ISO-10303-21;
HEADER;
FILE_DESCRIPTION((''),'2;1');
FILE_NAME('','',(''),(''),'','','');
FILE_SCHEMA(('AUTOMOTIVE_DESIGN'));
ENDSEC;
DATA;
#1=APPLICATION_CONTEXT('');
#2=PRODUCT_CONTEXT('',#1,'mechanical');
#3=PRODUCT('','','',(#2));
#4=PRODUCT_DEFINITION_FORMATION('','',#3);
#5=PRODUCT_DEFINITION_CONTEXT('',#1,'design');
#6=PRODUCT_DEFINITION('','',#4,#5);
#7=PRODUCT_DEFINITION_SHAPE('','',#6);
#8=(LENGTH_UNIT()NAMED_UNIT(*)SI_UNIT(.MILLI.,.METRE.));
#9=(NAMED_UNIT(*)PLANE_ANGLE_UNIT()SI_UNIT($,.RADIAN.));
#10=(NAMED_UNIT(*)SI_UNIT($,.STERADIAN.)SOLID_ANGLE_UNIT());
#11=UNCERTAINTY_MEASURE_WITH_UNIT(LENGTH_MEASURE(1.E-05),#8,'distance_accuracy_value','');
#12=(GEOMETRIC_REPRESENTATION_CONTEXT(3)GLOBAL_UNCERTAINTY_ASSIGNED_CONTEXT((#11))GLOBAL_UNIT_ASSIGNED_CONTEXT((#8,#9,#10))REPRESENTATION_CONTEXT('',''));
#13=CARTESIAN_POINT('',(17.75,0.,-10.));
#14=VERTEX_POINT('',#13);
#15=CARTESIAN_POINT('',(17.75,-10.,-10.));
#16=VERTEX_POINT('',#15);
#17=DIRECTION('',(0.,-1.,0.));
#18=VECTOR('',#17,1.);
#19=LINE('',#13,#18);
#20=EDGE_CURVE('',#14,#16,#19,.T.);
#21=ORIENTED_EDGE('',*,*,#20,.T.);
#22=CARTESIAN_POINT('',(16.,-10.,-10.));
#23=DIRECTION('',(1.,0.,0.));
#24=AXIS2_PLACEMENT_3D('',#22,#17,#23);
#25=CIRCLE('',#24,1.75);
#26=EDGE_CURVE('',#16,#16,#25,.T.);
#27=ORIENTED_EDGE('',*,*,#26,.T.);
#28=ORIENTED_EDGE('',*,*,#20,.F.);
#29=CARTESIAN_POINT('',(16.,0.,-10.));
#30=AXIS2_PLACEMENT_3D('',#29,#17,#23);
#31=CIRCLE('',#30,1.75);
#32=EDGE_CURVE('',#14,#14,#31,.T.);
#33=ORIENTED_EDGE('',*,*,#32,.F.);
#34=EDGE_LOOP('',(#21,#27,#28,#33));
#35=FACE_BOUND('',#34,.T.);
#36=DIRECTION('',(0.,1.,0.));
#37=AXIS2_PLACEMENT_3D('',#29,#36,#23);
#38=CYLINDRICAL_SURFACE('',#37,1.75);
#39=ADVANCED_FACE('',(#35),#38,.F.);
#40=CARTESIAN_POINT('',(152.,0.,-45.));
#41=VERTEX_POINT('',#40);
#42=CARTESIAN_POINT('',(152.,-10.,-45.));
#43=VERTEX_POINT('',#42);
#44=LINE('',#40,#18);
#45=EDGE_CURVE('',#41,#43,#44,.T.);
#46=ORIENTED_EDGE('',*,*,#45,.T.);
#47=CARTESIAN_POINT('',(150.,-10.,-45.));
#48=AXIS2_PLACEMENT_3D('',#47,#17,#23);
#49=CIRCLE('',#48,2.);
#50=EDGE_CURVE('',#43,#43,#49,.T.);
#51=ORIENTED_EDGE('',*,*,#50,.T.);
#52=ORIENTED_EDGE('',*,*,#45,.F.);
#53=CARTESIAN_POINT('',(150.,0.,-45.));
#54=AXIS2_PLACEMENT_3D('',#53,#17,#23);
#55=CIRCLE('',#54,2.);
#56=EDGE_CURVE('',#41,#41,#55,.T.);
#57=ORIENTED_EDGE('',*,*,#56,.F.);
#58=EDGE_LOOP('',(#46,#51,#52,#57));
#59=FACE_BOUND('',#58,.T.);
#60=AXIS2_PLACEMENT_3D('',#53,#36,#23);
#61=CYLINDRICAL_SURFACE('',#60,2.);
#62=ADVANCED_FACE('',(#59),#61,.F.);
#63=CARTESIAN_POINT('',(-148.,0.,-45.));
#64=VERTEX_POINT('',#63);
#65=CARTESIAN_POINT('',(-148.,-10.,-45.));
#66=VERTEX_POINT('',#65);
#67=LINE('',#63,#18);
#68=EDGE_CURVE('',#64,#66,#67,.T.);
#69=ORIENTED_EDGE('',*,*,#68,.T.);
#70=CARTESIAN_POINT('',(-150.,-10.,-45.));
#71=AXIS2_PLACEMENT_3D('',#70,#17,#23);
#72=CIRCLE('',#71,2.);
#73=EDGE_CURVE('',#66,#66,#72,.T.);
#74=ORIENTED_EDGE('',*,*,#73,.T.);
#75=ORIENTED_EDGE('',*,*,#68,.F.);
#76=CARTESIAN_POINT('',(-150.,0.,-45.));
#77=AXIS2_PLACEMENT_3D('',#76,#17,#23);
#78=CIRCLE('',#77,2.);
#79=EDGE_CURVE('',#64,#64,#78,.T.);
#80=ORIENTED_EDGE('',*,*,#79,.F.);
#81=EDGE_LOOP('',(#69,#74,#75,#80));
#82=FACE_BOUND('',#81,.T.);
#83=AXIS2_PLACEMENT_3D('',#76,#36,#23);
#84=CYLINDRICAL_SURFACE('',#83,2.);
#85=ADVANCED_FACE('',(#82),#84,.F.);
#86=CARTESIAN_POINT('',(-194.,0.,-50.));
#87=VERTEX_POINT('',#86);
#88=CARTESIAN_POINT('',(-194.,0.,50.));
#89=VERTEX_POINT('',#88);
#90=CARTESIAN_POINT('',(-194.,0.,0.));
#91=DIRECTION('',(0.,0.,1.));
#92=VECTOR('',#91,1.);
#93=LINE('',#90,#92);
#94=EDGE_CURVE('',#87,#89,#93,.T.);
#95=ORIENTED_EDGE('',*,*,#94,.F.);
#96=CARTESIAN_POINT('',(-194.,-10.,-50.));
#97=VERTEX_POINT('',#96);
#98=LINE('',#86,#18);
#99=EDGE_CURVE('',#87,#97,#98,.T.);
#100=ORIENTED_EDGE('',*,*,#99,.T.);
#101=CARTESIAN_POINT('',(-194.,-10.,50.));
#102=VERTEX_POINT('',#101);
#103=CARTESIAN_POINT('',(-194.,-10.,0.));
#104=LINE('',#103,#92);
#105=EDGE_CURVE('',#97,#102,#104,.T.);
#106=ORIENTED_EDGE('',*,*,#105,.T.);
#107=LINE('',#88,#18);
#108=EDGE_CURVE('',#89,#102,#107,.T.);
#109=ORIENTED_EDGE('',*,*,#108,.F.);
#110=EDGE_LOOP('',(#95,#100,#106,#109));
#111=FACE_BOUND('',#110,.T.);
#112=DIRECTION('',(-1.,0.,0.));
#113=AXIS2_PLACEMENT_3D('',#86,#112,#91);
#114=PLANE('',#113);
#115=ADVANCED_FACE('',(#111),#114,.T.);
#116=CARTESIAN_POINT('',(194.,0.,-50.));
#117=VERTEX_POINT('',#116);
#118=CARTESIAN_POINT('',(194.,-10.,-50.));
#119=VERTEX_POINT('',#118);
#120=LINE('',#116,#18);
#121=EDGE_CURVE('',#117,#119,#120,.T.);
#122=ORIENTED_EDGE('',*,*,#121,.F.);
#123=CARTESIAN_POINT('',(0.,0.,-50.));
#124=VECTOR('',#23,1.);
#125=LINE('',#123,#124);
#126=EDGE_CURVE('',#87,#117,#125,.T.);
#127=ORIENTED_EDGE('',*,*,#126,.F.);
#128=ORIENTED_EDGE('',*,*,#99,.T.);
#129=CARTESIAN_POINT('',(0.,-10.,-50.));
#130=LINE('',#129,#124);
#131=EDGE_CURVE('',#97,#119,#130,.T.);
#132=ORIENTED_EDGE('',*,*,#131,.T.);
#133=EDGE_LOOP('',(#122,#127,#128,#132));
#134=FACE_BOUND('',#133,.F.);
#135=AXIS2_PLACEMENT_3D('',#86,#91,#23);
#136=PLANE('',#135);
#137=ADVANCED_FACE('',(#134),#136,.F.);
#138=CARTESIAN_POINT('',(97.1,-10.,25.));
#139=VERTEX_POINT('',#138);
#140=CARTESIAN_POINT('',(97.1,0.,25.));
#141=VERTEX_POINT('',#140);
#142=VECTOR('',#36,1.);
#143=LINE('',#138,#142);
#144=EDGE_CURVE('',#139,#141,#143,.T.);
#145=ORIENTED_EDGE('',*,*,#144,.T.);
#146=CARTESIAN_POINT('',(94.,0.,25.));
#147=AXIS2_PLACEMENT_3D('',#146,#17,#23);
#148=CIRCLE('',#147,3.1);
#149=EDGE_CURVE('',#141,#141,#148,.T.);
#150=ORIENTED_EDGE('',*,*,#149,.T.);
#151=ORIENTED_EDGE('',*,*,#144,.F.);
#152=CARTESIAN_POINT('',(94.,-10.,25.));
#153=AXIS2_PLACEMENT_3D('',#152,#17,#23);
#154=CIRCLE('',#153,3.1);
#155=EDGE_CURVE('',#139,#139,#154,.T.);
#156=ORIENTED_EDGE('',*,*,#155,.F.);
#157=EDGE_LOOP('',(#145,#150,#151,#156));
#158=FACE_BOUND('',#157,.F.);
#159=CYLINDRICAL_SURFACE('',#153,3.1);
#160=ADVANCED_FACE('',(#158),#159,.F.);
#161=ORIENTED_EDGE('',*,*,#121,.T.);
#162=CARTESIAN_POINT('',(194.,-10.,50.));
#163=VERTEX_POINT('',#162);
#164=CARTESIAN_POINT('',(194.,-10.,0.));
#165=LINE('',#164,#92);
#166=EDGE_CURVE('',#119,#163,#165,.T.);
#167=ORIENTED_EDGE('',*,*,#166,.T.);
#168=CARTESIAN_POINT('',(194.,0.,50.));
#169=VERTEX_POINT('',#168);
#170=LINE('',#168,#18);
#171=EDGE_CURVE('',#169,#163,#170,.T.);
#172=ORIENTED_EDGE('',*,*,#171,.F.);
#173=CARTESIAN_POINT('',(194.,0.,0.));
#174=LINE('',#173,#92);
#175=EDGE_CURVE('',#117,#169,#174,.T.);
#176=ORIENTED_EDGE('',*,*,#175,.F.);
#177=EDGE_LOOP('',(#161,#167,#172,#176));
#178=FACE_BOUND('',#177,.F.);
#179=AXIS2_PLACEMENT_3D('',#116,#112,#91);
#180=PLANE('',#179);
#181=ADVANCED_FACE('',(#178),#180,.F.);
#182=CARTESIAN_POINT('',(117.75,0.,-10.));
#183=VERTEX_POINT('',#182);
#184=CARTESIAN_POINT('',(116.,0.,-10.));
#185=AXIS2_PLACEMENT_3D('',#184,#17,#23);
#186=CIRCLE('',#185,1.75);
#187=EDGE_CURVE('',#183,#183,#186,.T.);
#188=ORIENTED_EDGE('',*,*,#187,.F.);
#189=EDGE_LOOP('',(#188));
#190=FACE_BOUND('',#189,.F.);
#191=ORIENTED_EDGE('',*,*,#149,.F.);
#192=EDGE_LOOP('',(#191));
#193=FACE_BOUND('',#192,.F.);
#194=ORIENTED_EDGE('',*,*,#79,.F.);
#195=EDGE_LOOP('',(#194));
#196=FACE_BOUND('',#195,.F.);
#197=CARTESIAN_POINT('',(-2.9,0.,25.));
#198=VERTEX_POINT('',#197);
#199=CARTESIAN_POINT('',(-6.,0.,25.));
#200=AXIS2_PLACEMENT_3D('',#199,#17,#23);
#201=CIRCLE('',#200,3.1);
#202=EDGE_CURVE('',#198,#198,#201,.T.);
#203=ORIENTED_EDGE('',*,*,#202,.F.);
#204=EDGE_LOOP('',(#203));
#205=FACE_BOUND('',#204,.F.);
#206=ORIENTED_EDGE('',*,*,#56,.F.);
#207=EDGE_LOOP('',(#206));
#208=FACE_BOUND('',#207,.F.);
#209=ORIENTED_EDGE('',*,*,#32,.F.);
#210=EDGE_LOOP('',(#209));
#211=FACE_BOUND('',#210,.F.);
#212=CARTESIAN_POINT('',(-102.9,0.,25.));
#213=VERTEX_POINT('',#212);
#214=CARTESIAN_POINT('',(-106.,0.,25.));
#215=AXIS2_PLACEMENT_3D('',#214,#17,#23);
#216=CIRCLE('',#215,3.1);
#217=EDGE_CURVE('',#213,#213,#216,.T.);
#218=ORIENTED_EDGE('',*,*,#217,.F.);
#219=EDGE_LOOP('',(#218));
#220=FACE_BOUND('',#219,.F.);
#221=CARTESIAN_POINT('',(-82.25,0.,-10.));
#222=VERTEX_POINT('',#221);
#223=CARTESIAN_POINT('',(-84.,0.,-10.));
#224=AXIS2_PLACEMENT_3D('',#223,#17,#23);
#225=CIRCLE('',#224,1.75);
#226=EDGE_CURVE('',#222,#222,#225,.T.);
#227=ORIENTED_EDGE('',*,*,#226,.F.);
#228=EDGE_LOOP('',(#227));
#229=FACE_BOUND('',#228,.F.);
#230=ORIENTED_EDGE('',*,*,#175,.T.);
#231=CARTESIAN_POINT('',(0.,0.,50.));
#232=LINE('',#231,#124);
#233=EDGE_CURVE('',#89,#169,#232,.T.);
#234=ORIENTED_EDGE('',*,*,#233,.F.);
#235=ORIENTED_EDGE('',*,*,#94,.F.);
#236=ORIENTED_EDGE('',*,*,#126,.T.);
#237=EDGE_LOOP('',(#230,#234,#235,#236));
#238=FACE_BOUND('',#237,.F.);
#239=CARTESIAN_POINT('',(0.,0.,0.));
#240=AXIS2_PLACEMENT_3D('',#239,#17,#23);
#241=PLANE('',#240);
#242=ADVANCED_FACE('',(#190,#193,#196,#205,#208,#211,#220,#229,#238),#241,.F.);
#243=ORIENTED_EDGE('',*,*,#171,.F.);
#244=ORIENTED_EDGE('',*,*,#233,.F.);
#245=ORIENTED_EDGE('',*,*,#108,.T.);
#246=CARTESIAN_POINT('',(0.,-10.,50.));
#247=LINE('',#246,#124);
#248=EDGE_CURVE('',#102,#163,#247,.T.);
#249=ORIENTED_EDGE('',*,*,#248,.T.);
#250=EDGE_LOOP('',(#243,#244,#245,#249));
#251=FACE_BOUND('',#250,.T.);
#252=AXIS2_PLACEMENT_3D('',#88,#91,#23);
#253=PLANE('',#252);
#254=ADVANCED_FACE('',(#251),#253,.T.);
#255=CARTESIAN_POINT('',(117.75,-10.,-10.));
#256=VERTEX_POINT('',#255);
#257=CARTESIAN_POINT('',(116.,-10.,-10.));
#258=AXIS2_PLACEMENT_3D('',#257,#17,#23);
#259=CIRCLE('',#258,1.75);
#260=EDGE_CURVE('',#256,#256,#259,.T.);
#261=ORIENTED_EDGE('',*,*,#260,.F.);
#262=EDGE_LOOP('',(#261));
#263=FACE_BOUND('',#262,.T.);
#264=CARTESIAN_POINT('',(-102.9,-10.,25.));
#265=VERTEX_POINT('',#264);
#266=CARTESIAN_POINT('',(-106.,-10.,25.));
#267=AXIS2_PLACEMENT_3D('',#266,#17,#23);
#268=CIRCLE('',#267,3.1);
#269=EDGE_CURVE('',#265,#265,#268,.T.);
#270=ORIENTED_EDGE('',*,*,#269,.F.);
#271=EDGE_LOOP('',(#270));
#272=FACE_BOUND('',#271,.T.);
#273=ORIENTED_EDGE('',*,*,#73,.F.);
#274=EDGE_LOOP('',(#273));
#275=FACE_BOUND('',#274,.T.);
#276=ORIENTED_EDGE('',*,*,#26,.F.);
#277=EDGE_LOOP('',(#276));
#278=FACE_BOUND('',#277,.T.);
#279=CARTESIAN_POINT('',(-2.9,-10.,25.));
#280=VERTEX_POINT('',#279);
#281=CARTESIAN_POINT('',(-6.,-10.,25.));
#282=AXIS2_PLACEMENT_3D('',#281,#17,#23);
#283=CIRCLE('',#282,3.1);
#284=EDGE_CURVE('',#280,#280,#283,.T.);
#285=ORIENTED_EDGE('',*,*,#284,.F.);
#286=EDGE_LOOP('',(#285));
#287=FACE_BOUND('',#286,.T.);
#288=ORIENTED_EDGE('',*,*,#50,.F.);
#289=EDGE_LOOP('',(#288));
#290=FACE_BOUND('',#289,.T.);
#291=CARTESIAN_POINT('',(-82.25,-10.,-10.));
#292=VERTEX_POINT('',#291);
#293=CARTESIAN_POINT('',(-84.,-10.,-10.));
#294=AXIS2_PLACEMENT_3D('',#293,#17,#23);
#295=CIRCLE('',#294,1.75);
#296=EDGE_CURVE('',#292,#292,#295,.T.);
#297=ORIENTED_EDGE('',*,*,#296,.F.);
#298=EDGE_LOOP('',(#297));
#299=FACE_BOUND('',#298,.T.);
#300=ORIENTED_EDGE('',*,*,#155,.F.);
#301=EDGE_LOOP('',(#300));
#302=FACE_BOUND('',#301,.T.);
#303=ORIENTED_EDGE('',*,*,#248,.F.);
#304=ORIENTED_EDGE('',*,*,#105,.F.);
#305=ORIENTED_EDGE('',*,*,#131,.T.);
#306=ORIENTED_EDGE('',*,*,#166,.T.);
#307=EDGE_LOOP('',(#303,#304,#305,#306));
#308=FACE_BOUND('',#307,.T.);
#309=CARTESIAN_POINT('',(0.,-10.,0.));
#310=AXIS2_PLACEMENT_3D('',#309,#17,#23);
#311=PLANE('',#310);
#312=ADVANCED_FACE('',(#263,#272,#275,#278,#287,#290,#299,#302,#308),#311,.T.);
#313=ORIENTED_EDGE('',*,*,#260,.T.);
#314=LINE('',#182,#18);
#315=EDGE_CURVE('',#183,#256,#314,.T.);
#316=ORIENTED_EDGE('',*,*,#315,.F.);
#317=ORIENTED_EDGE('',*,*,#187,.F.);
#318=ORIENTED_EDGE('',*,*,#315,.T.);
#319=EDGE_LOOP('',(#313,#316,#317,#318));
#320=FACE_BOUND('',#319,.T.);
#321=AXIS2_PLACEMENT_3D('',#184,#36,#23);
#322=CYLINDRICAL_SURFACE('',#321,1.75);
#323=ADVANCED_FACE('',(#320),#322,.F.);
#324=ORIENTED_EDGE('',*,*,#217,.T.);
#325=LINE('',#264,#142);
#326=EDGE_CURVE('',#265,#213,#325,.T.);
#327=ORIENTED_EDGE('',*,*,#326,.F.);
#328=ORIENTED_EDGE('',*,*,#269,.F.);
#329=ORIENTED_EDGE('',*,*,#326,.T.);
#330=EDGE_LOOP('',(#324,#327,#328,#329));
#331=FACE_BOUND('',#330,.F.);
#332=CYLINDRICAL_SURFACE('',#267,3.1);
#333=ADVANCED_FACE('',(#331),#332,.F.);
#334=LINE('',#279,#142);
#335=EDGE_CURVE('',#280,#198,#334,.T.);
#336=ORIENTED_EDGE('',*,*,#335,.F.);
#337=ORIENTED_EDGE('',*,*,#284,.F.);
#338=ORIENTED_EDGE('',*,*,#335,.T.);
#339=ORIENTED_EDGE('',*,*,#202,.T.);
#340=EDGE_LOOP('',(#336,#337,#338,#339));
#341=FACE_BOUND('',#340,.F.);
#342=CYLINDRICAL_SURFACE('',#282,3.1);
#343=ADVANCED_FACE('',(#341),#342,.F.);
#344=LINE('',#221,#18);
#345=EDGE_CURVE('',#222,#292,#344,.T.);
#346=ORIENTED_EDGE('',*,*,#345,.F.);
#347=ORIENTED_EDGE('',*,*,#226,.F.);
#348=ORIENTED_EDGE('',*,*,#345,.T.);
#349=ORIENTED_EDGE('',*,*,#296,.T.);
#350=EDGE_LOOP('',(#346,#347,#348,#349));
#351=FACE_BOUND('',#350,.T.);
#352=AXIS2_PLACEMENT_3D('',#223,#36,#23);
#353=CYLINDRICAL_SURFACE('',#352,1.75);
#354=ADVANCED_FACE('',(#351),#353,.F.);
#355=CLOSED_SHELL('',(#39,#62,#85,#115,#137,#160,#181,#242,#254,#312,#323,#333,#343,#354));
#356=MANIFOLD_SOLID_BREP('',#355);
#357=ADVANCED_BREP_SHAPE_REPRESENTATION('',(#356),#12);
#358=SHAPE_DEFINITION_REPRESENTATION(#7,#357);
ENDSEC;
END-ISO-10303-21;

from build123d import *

# Parameters (mm, degrees)
F0_W     = 388
F0_H     = 100
F0_R     = 2
F0_R_2   = 1.75
F1_DEPTH = 10
F2_R     = 3.1
F3_DEPTH = 25


with BuildPart() as f1:
    # F0 (on Front) → F1 (new body)
    with BuildSketch(Plane.XZ):
        Rectangle(F0_W, F0_H)
        with Locations((-150, -45)):
            Circle(F0_R, mode=Mode.SUBTRACT)
        with Locations((-84, -10)):
            Circle(F0_R_2, mode=Mode.SUBTRACT)
        with Locations((150, -45)):
            Circle(F0_R, mode=Mode.SUBTRACT)
        with Locations((16, -10)):
            Circle(F0_R_2, mode=Mode.SUBTRACT)
        with Locations((116, -10)):
            Circle(F0_R_2, mode=Mode.SUBTRACT)
    extrude(amount=F1_DEPTH)

    # F2 (on face) → F3 (cut)
    with BuildSketch(Plane.XZ.offset(10)):
        with Locations((-6, 25)):
            Circle(F2_R)
        with Locations((94, 25)):
            Circle(F2_R)
        with Locations((-106, 25)):
            Circle(F2_R)
    extrude(amount=-F3_DEPTH, mode=Mode.SUBTRACT)


solid = f1.part
